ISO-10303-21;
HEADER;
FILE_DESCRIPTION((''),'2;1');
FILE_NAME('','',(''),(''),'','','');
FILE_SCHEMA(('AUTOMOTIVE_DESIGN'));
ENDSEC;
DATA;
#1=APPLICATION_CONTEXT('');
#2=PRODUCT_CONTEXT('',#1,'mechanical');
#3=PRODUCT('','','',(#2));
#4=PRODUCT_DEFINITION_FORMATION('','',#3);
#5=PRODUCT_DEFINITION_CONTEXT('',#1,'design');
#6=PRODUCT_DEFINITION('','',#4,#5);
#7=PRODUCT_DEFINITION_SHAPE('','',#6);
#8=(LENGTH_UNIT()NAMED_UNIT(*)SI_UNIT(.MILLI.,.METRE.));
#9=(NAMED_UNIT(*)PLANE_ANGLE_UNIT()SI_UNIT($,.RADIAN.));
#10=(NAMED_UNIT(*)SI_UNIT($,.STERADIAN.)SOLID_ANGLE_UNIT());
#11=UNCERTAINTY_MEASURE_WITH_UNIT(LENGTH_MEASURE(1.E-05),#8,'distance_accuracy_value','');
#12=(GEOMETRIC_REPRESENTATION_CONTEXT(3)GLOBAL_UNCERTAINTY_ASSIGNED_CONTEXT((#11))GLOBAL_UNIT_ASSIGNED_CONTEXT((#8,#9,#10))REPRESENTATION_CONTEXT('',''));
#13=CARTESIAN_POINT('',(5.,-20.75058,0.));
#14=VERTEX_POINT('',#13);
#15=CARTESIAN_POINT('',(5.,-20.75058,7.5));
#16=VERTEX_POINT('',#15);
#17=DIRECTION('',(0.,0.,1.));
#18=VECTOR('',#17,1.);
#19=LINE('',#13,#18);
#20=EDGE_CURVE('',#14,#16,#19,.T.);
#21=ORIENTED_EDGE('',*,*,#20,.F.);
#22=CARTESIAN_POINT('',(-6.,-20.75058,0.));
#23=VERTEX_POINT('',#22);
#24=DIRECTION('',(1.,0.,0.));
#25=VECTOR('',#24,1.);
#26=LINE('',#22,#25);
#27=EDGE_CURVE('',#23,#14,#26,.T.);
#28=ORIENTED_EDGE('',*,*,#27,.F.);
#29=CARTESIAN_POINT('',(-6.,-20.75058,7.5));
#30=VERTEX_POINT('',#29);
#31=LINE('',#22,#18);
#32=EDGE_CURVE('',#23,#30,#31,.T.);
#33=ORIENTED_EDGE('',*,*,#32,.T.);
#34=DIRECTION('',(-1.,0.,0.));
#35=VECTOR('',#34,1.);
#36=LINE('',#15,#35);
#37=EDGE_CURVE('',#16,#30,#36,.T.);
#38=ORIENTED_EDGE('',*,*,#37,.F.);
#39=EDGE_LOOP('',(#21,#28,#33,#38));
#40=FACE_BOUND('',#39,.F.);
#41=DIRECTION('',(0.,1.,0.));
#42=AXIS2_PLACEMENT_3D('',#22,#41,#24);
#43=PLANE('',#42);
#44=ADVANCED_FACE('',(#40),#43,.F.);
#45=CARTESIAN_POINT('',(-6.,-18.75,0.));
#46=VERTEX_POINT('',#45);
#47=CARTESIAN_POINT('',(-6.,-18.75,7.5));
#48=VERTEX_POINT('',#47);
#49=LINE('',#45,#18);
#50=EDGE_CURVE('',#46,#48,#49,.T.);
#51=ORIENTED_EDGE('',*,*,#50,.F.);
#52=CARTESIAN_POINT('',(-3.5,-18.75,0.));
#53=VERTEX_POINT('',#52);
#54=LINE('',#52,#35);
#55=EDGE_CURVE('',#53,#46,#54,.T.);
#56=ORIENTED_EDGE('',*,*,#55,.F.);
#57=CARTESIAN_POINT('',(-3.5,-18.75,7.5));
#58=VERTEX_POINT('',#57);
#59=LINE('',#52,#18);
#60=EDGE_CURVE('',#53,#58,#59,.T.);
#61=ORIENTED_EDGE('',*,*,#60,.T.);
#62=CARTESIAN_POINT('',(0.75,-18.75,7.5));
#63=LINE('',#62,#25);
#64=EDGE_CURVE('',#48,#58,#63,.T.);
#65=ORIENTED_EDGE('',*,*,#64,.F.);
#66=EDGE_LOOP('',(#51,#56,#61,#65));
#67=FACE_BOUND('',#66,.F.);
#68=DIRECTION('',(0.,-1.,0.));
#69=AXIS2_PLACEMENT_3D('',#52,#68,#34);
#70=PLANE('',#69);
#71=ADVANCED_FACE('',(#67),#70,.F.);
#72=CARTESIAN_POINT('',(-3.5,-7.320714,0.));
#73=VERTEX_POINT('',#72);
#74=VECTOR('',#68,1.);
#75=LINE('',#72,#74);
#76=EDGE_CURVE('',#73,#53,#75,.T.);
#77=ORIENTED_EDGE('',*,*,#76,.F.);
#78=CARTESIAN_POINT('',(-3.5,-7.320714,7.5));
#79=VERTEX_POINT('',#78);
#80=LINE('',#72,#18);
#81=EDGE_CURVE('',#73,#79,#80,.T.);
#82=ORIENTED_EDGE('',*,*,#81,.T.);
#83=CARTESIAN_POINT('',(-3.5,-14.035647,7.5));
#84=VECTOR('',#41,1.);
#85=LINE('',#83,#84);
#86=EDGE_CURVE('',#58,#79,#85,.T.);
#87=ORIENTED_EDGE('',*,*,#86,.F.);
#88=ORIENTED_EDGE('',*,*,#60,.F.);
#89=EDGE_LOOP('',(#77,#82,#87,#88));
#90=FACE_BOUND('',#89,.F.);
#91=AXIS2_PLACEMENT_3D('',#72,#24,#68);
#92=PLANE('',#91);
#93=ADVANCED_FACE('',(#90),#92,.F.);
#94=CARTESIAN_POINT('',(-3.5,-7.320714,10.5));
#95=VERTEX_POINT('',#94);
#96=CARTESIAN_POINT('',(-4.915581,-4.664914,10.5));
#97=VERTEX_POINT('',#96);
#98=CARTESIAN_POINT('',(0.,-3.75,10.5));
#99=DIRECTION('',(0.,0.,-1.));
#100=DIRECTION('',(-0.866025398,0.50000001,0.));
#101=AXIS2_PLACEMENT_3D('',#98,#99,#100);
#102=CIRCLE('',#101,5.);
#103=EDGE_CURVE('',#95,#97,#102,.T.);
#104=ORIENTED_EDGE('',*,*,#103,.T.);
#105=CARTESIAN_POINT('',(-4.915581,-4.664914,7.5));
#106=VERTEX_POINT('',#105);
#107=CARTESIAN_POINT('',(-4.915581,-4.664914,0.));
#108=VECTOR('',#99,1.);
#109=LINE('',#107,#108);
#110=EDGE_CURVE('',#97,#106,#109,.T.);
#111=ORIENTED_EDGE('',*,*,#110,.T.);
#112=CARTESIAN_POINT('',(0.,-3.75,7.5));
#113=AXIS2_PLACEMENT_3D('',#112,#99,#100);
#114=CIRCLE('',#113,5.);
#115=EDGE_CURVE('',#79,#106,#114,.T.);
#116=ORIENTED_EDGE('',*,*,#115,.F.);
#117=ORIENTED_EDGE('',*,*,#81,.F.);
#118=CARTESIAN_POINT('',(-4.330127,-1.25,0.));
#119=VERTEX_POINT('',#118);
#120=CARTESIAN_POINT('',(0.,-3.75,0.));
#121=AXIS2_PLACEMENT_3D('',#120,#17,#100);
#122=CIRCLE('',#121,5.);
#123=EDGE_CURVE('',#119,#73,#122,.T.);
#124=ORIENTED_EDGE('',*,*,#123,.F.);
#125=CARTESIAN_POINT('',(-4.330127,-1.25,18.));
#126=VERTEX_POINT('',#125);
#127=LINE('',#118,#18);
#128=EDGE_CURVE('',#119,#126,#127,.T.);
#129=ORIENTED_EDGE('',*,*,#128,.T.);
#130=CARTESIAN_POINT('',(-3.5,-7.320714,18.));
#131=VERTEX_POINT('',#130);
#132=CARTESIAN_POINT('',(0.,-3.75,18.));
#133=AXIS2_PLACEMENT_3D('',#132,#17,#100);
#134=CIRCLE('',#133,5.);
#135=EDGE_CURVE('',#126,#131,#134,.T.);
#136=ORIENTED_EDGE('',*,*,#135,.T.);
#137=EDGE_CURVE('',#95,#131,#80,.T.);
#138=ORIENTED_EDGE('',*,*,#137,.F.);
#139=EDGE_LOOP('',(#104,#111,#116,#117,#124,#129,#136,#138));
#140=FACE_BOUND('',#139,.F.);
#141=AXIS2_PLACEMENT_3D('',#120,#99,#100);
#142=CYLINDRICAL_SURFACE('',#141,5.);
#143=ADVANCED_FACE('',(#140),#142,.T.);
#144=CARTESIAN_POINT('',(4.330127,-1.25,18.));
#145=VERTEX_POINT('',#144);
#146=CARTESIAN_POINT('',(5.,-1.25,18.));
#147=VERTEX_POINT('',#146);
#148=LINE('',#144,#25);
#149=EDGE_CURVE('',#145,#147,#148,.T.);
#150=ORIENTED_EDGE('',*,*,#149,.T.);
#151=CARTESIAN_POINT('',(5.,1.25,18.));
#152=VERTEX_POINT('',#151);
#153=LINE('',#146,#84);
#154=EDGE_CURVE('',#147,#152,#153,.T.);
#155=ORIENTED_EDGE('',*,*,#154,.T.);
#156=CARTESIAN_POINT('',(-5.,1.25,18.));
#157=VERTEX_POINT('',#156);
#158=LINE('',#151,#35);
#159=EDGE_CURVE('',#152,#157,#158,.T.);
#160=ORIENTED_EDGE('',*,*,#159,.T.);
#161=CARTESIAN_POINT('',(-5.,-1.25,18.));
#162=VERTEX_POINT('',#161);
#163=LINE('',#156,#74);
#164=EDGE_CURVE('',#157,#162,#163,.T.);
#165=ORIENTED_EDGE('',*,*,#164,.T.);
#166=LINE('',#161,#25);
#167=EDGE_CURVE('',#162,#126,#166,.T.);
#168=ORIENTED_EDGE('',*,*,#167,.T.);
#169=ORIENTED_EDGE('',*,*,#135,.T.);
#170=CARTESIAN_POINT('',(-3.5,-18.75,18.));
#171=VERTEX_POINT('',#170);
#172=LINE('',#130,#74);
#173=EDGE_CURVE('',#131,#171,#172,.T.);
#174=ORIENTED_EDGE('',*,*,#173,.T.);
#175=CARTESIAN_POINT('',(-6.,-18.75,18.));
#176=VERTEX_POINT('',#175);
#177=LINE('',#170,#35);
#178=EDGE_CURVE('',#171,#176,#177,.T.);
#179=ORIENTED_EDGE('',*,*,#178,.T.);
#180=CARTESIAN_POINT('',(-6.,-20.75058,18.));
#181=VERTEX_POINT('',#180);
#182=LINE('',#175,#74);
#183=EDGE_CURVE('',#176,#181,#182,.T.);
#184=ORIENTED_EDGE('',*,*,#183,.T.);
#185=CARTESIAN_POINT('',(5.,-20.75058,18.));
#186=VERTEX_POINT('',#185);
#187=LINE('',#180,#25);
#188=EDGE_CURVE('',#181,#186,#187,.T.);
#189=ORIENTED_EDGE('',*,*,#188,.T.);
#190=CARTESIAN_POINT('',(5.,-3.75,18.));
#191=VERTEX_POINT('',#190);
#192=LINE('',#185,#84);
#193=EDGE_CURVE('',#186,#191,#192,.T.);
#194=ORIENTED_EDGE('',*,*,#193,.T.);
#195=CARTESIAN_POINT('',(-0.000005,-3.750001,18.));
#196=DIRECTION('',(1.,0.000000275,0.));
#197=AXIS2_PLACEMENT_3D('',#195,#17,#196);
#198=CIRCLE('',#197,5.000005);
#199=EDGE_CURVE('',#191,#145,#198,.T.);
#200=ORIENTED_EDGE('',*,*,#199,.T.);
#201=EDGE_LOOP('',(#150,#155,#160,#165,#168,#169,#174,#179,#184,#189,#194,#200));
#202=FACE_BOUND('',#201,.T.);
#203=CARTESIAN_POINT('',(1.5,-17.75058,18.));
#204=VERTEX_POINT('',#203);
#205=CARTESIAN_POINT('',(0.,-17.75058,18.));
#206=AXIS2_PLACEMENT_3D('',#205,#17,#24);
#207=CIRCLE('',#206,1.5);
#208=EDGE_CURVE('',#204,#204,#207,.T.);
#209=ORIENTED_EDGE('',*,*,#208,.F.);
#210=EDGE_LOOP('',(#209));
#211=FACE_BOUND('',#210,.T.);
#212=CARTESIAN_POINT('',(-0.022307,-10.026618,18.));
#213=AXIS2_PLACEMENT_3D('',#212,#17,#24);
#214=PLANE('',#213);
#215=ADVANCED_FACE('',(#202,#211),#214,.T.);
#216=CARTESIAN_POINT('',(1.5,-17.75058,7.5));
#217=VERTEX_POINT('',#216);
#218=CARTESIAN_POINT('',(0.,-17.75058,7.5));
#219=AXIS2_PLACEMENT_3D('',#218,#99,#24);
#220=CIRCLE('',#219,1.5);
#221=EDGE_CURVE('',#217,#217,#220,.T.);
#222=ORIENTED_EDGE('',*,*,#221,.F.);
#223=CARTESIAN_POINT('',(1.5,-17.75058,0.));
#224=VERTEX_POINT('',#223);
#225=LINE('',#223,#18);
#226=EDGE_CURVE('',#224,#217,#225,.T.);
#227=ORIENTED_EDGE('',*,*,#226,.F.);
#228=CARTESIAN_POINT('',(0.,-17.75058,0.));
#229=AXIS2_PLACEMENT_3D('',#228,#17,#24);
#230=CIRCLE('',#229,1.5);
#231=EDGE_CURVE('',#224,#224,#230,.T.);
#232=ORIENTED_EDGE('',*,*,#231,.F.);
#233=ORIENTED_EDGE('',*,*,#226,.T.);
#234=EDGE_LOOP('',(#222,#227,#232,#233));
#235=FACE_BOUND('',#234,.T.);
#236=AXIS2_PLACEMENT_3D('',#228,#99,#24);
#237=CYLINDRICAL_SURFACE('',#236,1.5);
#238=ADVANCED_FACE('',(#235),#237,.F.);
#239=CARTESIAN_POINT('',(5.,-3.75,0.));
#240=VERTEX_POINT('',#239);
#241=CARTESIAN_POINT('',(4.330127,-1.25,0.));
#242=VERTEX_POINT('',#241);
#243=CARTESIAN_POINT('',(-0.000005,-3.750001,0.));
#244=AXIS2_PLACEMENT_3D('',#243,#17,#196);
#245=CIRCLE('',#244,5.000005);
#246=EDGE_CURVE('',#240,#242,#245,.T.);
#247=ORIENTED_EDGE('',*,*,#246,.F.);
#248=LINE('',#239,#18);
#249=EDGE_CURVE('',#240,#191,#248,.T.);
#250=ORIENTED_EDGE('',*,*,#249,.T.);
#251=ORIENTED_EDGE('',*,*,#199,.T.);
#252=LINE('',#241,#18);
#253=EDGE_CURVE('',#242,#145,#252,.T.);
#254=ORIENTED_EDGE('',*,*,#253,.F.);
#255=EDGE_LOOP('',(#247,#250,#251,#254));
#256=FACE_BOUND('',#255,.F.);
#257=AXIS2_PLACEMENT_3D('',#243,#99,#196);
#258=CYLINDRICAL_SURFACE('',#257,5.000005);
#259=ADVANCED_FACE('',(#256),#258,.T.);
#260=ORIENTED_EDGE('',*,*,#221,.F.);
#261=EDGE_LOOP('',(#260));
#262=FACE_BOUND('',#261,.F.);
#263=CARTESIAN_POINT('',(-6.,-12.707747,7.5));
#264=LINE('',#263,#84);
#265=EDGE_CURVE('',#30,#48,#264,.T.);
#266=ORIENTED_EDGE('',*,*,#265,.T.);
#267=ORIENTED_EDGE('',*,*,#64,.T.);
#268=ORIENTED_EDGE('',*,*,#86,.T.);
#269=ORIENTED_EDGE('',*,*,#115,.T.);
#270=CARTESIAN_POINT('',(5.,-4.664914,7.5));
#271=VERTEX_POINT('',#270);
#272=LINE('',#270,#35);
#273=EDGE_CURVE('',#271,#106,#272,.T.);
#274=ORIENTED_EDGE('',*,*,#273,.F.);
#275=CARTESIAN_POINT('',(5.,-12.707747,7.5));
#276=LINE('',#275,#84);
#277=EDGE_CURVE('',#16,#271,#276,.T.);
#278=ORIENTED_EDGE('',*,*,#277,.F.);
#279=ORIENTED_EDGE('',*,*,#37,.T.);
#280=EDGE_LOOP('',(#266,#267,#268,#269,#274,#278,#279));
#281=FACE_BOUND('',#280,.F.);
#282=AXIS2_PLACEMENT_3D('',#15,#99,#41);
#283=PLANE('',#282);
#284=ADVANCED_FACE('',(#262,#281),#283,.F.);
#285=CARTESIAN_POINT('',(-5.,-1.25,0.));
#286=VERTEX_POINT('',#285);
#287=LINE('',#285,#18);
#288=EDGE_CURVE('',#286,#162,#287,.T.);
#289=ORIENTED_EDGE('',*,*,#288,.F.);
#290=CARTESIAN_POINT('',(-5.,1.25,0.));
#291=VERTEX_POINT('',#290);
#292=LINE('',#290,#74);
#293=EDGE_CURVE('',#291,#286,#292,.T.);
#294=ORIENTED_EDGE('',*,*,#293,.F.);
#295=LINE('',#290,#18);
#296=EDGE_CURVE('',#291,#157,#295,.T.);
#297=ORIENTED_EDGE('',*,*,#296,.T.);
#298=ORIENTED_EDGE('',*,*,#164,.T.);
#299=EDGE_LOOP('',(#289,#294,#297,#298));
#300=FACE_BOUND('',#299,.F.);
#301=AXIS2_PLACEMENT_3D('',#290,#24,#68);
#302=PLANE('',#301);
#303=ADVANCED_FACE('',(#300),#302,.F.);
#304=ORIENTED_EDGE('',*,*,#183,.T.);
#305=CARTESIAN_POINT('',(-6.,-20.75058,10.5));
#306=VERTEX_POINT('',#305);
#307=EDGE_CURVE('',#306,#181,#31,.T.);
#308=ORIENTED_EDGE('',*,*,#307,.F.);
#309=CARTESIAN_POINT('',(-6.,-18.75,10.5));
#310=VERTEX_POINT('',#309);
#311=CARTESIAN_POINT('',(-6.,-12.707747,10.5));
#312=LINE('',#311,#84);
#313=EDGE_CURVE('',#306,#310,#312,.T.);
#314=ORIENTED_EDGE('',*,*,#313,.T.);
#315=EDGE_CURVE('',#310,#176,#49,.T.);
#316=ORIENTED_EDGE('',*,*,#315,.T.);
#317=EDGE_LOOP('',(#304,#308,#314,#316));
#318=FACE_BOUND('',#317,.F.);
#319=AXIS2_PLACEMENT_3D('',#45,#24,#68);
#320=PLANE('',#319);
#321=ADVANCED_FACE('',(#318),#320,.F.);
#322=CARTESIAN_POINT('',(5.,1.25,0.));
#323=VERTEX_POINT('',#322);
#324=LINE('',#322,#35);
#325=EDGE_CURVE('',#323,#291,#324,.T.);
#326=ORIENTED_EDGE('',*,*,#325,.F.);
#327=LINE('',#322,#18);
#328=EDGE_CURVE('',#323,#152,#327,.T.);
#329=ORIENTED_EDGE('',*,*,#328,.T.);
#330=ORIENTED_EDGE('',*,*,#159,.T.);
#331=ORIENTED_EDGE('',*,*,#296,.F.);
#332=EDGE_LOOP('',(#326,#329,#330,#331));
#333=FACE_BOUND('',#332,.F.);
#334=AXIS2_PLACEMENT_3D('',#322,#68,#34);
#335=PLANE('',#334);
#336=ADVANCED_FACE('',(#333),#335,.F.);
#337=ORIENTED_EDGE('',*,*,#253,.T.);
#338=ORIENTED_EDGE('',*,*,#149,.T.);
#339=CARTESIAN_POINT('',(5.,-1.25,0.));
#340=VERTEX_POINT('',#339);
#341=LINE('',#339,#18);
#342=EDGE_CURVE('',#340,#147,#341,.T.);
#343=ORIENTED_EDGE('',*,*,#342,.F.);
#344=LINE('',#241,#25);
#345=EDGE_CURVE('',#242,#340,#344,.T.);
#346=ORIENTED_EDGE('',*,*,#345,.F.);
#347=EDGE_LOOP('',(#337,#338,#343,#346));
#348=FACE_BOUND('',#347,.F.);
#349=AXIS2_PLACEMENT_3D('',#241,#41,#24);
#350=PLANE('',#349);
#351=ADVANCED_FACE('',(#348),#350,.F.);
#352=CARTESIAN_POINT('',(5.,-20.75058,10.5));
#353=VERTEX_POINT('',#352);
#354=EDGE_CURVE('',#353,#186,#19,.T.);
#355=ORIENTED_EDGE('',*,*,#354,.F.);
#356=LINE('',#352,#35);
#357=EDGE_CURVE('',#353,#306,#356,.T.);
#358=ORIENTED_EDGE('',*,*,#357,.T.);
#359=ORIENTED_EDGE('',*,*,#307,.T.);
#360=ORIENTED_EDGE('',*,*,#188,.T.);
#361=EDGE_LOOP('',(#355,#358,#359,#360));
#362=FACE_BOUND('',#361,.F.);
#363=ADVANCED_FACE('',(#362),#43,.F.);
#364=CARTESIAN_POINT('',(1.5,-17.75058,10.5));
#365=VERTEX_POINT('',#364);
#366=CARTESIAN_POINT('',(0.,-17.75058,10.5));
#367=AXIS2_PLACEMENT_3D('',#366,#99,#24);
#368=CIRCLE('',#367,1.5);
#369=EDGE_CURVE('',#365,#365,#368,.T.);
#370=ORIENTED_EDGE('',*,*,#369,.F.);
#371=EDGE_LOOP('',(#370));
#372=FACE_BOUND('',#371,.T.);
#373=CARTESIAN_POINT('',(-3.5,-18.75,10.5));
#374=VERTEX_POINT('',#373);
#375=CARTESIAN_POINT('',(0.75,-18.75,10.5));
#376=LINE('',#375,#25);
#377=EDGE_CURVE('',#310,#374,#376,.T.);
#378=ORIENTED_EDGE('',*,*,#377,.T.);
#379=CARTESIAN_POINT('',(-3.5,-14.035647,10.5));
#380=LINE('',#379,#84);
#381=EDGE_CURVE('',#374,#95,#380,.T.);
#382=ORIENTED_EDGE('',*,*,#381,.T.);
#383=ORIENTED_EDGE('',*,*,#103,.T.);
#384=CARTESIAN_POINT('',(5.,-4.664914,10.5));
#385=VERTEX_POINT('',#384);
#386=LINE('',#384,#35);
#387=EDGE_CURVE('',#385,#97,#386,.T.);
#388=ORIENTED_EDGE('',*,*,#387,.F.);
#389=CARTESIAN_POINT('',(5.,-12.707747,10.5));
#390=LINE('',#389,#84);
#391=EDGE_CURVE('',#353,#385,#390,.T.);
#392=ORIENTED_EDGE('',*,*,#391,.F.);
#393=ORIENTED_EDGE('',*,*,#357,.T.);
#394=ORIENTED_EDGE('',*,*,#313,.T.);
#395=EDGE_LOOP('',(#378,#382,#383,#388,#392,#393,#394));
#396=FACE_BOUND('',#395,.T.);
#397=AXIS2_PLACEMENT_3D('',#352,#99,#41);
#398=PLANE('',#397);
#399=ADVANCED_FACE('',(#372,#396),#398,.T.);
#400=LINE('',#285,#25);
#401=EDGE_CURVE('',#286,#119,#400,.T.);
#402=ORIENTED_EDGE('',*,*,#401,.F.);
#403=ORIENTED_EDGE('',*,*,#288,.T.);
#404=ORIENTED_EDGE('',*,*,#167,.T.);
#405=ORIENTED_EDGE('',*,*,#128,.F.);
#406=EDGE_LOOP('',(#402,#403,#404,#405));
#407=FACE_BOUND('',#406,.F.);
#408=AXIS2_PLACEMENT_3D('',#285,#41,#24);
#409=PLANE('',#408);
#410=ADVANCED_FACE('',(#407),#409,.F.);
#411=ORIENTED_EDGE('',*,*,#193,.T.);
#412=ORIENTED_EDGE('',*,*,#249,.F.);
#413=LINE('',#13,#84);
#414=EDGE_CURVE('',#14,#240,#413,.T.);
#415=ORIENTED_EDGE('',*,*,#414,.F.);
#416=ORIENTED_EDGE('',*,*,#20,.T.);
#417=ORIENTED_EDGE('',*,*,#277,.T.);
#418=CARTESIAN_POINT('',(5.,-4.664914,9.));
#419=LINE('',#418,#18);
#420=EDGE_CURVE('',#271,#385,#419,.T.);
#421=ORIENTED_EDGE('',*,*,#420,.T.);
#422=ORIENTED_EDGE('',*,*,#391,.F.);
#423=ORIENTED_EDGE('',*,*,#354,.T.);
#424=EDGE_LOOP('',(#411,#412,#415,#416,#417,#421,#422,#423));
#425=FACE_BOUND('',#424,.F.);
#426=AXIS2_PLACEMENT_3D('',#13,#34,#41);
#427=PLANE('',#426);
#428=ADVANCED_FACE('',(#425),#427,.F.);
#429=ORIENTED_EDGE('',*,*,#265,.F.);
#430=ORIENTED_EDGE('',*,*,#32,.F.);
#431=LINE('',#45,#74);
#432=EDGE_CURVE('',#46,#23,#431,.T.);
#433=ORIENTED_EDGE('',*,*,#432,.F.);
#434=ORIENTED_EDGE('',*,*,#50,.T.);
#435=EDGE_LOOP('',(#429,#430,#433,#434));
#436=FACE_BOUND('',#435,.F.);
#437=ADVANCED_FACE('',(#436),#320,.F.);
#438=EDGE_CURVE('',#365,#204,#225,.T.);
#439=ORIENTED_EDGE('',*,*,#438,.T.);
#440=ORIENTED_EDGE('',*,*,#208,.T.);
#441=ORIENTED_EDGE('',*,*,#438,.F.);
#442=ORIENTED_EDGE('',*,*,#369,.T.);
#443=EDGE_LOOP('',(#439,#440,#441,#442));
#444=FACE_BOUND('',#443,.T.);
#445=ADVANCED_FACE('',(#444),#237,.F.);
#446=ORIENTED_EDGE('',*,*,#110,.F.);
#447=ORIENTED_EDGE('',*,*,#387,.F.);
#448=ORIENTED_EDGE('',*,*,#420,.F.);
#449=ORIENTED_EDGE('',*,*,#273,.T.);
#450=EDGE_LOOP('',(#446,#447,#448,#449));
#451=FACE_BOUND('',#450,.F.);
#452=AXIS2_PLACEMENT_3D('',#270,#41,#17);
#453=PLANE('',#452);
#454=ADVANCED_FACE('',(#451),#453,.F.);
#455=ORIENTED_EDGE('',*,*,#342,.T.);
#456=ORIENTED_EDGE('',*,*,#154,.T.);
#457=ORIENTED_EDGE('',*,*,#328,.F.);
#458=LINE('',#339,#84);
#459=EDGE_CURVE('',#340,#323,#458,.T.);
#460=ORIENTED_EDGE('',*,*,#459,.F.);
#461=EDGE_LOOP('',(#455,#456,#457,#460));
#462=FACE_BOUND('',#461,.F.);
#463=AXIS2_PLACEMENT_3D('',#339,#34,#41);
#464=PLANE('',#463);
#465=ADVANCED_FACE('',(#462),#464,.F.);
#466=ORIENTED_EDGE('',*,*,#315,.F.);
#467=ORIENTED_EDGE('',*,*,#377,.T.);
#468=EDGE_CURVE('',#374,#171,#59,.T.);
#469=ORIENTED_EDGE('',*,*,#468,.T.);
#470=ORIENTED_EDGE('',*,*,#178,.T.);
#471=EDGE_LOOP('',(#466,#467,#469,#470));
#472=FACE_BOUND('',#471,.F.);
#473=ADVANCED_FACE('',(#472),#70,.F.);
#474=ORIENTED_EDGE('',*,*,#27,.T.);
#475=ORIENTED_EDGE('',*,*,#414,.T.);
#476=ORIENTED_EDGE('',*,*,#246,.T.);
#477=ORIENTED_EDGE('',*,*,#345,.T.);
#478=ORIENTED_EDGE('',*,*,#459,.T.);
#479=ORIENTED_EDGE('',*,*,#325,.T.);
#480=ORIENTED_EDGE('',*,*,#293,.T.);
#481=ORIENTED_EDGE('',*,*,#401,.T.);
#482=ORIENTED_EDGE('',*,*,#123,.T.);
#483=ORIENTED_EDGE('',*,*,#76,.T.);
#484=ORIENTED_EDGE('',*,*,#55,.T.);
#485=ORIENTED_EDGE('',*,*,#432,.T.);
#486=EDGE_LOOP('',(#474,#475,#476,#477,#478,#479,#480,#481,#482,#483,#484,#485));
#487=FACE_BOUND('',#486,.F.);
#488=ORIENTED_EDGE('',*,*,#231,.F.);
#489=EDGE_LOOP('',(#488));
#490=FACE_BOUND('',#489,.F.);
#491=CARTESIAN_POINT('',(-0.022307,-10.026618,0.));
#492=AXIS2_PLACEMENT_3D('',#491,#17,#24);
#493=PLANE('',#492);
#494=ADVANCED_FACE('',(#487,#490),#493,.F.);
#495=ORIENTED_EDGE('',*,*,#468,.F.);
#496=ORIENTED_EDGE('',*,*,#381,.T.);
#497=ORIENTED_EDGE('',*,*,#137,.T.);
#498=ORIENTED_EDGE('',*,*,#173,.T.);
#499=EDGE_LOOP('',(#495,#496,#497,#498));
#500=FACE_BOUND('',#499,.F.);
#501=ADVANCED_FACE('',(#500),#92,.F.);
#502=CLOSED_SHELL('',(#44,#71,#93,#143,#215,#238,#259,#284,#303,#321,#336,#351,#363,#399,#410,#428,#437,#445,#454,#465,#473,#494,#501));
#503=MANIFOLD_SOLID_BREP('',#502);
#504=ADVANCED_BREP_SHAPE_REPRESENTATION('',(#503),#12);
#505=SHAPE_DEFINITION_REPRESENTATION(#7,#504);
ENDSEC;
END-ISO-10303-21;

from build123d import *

# Parameters (mm, degrees)
F0_R     = 1.5
F1_DEPTH = 18
F2_W     = 16.085666
F2_H     = 3
F3_DEPTH = 11


with BuildPart() as f1:
    # F0 (on Top) → F1 (new body)
    with BuildSketch(Plane.XY):
        with BuildLine():
            Line((4.330127, -1.25), (5, -1.25))
            Line((5, -1.25), (5, 1.25))
            Line((5, 1.25), (-5, 1.25))
            Line((-5, 1.25), (-5, -1.25))
            Line((-5, -1.25), (-4.330127, -1.25))
            ThreePointArc((-4.330127, -1.25), (-4.953899, -4.42741), (-3.5, -7.320714))
            Line((-3.5, -7.320714), (-3.5, -18.75))
            Line((-3.5, -18.75), (-6, -18.75))
            Line((-6, -18.75), (-6, -20.75058))
            Line((-6, -20.75058), (5, -20.75058))
            Line((5, -20.75058), (5, -18.75))
            Line((5, -18.75), (5, -3.75))
            ThreePointArc((5, -3.75), (4.829629, -2.455905), (4.330127, -1.25))
        make_face()
        with Locations((0, -17.75058)):
            Circle(F0_R, mode=Mode.SUBTRACT)
    extrude(amount=F1_DEPTH)

    # F2 (on face) → F3 (cut)
    with BuildSketch(Plane.YZ.offset(5)):
        with Locations((-12.707747, 9)):
            Rectangle(F2_W, F2_H)
    extrude(amount=-F3_DEPTH, mode=Mode.SUBTRACT)


solid = f1.part
